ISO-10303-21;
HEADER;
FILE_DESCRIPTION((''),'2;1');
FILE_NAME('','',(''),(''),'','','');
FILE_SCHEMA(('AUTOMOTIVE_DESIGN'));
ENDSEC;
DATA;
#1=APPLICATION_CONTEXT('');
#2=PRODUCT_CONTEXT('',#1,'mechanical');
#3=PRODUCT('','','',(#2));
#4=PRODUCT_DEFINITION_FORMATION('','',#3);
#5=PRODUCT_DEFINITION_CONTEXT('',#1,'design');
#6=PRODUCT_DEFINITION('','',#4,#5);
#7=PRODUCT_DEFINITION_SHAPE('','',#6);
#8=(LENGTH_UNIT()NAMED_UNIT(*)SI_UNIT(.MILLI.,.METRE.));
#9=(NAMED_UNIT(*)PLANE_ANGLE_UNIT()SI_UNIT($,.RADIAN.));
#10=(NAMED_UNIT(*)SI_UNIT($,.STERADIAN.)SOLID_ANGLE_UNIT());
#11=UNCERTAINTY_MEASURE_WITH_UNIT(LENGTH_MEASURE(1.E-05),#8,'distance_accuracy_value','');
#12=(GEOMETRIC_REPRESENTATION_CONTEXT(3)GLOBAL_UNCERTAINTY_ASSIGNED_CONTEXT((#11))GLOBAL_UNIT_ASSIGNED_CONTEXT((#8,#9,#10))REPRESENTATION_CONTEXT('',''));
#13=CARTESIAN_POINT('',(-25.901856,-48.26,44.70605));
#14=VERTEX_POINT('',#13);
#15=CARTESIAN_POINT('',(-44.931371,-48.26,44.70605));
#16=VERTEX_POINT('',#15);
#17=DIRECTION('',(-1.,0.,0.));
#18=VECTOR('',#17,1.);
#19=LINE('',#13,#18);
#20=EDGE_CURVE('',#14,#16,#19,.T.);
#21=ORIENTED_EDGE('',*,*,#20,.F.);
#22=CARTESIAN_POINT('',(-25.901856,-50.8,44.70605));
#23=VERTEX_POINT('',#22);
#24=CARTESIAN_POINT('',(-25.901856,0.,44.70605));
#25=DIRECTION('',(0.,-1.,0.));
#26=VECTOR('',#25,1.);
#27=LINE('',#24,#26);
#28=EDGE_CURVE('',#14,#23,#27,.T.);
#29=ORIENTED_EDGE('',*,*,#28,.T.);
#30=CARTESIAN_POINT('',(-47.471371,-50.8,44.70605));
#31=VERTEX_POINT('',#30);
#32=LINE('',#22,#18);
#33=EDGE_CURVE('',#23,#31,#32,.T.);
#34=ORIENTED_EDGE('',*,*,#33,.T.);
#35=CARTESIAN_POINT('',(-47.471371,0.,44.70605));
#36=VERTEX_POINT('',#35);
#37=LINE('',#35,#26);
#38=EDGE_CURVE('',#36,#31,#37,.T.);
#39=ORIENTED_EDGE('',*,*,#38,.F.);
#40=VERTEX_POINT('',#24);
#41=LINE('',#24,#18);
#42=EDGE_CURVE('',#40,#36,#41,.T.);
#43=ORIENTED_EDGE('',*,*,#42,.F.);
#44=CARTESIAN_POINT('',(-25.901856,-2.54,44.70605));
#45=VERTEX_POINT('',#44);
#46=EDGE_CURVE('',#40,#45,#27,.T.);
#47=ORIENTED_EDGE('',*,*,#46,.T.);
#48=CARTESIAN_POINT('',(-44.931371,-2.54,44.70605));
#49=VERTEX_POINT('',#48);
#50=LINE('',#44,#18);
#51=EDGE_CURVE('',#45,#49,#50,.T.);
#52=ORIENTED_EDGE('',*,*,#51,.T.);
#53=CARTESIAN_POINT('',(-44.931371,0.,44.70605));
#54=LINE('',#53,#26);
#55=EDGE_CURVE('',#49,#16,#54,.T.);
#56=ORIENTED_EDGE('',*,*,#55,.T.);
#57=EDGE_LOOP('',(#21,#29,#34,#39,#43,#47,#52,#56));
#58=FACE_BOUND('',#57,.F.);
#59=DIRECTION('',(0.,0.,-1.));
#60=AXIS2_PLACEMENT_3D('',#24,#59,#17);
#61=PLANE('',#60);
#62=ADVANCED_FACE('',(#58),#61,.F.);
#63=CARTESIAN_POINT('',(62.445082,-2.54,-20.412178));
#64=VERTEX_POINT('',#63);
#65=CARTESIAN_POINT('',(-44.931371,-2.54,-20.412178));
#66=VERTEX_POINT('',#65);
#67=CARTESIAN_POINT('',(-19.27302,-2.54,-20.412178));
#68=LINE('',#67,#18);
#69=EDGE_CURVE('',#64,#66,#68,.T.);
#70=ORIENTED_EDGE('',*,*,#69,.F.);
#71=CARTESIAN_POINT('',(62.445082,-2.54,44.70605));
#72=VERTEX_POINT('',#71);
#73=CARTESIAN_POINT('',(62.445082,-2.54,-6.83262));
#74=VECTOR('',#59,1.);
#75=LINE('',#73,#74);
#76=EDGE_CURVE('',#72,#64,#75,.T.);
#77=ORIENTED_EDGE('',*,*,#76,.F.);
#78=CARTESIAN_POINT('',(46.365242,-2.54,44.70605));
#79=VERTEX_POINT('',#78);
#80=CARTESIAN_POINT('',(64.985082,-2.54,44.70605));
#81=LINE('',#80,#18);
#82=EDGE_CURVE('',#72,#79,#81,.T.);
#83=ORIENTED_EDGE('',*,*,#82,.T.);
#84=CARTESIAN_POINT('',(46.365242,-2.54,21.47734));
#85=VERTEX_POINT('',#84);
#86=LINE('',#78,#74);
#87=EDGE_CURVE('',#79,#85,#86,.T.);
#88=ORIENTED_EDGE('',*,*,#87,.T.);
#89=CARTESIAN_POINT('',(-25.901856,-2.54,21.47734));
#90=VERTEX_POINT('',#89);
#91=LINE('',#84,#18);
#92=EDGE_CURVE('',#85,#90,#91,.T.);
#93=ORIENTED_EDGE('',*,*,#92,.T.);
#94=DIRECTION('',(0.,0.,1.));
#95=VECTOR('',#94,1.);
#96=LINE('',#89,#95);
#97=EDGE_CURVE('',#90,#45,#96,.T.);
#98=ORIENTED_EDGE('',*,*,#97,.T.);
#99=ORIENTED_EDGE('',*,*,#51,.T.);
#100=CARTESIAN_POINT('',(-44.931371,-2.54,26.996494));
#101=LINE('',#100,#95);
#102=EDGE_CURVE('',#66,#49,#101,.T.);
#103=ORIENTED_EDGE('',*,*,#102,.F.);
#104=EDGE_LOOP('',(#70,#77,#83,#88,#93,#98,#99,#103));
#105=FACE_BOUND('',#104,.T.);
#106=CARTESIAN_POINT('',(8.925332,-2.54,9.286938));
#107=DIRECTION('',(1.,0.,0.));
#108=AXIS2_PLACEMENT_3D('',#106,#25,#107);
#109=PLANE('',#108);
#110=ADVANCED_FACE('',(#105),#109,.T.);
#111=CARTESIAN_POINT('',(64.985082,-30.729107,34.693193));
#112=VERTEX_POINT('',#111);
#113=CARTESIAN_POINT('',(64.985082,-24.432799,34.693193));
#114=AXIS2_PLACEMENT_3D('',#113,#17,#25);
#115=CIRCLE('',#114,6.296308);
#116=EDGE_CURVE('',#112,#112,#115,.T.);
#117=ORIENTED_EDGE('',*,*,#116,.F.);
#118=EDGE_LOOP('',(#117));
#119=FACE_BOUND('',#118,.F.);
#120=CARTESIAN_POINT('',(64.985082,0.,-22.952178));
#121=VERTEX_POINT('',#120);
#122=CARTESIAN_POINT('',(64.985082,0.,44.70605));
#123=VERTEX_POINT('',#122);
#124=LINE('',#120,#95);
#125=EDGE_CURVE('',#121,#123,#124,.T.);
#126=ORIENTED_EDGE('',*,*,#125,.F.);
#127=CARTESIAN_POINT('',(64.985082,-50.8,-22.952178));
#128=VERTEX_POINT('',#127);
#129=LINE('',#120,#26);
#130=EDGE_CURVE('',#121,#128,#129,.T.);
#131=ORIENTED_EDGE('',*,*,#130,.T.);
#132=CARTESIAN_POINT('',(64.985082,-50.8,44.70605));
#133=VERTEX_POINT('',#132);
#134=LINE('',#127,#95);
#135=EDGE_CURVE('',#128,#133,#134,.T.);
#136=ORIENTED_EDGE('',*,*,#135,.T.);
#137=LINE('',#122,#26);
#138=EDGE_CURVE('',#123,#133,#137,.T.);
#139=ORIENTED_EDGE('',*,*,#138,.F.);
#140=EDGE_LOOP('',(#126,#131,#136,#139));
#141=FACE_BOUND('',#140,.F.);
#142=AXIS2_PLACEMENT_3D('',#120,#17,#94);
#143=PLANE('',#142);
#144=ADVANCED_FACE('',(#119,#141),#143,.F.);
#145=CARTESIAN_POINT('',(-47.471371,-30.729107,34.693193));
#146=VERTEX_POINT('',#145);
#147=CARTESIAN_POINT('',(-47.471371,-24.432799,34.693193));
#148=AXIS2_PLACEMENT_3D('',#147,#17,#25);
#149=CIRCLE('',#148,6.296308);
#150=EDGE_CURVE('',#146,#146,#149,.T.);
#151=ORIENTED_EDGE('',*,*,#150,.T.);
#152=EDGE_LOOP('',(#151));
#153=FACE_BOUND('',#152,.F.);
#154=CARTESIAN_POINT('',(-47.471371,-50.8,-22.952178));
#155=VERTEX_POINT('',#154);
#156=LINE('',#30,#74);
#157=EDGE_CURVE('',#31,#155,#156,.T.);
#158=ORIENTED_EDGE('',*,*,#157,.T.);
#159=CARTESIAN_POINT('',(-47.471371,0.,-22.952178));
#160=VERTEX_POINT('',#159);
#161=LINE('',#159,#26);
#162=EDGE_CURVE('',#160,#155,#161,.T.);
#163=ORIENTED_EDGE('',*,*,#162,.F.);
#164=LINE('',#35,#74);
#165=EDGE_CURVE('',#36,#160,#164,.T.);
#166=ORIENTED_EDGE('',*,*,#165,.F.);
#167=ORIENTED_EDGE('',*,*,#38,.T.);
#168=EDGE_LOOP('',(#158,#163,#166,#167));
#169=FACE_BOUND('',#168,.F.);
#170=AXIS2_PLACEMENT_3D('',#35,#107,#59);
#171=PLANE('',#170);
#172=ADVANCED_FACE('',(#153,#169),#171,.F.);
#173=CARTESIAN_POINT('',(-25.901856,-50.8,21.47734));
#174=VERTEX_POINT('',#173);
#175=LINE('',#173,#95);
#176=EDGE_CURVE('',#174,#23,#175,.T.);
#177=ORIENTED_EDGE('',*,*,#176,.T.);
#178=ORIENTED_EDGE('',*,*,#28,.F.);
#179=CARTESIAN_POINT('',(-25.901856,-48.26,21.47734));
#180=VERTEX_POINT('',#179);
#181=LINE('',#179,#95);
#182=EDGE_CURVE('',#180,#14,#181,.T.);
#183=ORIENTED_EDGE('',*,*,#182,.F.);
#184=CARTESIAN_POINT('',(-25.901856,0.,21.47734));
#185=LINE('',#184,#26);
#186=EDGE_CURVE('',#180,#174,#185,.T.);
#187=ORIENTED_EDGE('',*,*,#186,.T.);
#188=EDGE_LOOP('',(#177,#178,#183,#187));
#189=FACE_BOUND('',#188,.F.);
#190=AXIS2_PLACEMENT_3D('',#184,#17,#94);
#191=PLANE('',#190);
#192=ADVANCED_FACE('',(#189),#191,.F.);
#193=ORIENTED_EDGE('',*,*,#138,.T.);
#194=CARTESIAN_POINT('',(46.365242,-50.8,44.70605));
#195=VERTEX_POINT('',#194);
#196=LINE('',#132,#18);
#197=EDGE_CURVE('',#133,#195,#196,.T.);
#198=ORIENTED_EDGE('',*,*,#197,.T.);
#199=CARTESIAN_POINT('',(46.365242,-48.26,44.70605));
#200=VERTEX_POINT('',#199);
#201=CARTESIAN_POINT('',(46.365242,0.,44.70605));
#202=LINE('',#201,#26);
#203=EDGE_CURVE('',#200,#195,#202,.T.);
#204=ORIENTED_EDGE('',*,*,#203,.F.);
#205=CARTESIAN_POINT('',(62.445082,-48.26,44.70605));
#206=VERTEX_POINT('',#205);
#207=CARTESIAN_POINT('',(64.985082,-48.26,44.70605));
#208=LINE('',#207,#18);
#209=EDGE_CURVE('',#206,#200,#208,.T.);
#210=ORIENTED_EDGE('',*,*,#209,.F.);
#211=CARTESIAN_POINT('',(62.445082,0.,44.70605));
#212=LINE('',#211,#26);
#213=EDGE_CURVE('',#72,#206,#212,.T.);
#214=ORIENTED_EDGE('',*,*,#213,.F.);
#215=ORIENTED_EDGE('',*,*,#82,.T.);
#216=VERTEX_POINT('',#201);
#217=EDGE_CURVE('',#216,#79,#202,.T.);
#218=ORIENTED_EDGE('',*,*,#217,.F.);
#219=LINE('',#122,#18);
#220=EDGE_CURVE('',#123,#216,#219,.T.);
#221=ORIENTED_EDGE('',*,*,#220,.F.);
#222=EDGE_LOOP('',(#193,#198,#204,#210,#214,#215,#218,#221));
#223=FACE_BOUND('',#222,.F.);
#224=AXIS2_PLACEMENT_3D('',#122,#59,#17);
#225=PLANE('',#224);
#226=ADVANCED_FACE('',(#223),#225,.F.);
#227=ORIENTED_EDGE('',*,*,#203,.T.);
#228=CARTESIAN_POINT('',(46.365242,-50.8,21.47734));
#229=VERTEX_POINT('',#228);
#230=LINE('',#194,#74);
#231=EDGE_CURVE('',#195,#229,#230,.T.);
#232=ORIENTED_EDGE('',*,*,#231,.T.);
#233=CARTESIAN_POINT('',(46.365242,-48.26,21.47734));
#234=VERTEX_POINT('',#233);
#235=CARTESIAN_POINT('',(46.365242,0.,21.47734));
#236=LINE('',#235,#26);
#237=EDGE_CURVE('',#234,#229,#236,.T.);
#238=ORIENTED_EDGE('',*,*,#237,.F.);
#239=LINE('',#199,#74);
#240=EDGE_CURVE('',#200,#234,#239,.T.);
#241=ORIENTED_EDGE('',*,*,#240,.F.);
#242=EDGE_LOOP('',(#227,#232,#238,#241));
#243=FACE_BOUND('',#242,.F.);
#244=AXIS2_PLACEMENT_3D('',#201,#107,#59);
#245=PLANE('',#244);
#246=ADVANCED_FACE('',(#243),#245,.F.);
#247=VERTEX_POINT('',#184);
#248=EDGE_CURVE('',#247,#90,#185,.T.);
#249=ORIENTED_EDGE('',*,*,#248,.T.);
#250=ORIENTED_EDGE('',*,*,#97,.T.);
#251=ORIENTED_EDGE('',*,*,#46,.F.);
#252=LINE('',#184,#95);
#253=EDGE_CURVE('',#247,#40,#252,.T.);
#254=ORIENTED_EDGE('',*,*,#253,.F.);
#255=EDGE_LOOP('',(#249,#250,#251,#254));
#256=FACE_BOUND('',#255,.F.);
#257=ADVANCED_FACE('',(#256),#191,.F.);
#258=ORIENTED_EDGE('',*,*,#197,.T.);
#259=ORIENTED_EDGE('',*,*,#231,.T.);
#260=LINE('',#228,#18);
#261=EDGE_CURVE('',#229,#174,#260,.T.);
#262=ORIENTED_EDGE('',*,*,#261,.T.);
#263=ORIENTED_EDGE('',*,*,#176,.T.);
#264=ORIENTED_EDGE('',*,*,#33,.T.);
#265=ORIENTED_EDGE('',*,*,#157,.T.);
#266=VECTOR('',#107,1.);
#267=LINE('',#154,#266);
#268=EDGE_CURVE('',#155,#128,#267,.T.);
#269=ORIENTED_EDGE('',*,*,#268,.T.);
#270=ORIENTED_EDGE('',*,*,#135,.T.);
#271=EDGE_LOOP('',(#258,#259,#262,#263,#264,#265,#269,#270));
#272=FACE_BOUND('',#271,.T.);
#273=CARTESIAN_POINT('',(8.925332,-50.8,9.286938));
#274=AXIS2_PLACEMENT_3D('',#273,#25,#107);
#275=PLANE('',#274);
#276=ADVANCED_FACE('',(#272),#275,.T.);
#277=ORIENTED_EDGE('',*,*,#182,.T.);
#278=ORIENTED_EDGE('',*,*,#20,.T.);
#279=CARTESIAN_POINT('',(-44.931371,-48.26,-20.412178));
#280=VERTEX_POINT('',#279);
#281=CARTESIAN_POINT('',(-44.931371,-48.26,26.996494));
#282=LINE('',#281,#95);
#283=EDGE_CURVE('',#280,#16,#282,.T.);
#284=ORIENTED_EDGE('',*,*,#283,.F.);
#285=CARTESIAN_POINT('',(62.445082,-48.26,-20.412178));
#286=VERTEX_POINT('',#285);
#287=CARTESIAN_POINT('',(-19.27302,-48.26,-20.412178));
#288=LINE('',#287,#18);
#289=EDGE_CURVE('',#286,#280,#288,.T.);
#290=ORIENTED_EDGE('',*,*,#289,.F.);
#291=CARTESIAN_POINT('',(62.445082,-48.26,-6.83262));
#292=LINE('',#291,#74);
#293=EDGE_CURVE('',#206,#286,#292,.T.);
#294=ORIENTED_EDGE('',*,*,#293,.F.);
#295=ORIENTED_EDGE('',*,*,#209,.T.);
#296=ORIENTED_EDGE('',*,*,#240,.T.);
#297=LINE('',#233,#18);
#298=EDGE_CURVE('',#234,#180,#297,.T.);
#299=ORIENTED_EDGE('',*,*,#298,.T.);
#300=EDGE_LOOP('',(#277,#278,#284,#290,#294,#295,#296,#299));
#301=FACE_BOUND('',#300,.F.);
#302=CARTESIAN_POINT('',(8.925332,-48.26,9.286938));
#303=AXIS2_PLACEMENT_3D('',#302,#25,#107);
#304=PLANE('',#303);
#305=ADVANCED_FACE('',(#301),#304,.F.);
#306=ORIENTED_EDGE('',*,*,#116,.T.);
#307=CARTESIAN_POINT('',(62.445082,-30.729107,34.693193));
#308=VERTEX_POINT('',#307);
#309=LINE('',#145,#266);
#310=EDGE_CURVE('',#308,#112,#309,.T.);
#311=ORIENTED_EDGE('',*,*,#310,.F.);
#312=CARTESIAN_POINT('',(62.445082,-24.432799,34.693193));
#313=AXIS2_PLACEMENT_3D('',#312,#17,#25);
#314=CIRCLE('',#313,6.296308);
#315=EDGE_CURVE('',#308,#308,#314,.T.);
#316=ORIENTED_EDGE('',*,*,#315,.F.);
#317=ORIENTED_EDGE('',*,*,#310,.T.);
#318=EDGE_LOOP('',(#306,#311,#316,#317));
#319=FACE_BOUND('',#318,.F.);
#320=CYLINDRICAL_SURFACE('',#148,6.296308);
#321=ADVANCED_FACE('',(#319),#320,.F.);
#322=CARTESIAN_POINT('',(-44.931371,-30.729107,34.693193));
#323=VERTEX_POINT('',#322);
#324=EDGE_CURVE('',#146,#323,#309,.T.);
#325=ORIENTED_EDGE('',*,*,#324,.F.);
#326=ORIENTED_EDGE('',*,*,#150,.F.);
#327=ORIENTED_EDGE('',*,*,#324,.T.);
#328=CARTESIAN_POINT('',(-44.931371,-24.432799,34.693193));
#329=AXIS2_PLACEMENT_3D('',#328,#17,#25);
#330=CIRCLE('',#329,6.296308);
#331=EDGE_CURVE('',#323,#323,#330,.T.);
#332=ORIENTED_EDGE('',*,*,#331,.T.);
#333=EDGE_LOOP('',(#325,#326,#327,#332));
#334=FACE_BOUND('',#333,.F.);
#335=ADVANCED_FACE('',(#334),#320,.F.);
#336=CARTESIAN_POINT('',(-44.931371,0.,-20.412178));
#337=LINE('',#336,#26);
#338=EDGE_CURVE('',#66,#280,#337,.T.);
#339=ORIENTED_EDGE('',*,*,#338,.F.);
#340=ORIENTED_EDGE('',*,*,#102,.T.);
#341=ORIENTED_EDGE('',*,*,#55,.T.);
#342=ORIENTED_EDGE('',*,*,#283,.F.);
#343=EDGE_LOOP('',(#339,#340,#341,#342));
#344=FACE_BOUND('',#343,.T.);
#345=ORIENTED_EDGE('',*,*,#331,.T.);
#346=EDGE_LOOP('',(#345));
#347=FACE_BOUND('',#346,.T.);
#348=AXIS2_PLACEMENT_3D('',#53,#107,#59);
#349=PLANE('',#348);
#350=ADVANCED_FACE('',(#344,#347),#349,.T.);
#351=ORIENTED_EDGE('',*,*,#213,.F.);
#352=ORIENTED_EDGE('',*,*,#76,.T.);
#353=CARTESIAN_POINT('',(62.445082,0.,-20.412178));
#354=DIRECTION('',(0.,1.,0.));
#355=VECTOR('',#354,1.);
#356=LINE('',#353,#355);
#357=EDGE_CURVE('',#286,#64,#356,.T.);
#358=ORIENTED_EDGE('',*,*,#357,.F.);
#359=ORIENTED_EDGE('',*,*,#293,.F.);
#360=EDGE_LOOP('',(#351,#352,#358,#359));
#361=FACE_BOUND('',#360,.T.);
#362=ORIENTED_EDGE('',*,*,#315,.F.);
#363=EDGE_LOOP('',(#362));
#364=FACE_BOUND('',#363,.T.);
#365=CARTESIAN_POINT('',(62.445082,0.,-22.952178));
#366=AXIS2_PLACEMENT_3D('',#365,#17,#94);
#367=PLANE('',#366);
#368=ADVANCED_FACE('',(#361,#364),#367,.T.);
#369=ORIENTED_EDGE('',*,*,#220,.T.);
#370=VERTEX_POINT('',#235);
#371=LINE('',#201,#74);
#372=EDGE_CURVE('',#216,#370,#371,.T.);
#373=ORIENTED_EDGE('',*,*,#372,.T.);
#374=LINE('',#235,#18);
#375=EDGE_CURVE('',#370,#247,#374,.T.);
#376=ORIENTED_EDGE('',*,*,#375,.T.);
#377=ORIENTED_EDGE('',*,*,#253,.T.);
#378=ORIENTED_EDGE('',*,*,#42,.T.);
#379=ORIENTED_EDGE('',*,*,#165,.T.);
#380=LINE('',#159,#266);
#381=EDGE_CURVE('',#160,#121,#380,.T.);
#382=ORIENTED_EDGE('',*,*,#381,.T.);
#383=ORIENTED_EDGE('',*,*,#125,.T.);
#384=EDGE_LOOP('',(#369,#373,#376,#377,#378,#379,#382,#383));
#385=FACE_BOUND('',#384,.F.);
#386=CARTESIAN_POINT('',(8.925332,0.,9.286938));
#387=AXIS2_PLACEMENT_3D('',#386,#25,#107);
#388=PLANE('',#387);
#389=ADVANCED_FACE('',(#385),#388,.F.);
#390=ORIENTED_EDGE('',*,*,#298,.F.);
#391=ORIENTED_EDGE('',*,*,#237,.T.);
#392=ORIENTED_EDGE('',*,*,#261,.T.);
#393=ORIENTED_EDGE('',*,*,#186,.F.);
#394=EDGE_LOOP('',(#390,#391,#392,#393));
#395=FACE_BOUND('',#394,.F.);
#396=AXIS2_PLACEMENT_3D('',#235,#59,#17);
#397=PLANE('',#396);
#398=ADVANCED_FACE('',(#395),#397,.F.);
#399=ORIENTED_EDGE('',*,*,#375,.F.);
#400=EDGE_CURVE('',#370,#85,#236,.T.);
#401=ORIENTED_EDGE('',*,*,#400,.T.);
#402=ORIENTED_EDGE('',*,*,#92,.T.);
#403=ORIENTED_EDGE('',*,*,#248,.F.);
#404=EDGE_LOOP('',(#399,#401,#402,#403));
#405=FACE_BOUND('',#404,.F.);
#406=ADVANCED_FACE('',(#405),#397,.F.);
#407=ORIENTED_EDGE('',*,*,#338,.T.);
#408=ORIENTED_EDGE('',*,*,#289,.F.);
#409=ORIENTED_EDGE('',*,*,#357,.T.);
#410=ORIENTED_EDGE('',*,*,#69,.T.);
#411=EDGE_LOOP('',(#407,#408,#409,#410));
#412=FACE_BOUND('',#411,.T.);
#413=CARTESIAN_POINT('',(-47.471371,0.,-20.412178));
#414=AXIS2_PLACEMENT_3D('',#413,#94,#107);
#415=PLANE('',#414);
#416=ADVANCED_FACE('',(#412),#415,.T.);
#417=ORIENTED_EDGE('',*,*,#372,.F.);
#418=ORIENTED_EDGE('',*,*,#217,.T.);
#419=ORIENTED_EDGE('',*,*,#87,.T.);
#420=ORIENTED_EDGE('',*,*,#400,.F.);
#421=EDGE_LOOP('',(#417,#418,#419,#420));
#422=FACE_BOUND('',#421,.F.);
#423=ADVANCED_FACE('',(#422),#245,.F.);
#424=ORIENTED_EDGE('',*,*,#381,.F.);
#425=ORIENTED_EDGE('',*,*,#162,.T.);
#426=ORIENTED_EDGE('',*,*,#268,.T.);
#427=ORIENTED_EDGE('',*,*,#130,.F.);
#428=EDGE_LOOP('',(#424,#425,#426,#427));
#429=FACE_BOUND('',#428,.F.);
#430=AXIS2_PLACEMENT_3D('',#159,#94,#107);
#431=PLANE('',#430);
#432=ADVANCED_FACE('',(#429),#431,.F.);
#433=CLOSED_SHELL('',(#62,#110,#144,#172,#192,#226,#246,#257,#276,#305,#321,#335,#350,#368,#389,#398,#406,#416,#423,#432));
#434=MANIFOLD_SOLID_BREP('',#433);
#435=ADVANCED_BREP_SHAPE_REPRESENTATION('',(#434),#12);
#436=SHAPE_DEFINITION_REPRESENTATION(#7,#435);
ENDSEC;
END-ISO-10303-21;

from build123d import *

# Parameters (mm, degrees)
F1_DEPTH = 50.8
F2_T     = -2.54
F3_R     = 6.296308
F4_DEPTH = 322.58


with BuildPart() as f1:
    # F0 (on Front) → F1 (new body)
    with BuildSketch(Plane.XZ):
        Polygon((-25.901856, 44.70605), (-47.471371, 44.70605), (-47.471371, -22.952178), (64.985082, -22.952178), (64.985082, 44.70605), (46.365242, 44.70605), (46.365242, 21.47734), (-25.901856, 21.47734), align=None)
    extrude(amount=F1_DEPTH)

    # F2
    f2_openings = [f1.faces().sort_by_distance(p)[0] for p in [
        (10.231693, -25.4, 21.47734),
        (-36.686613, -25.4, 44.70605),
        (55.675162, -25.4, 44.70605),
        (46.365242, -25.4, 33.091695),
        (-25.901856, -25.4, 33.091695),
    ]]
    offset(amount=F2_T, openings=f2_openings)

    # F3 (on face) → F4 (cut)
    with BuildSketch(Plane(origin=(-47.471371, 0, 0), x_dir=(0, -1, 0), z_dir=(-1, 0, 0))):
        with Locations((24.432799, 34.693193)):
            Circle(F3_R)
    extrude(amount=-F4_DEPTH, mode=Mode.SUBTRACT)


solid = f1.part
